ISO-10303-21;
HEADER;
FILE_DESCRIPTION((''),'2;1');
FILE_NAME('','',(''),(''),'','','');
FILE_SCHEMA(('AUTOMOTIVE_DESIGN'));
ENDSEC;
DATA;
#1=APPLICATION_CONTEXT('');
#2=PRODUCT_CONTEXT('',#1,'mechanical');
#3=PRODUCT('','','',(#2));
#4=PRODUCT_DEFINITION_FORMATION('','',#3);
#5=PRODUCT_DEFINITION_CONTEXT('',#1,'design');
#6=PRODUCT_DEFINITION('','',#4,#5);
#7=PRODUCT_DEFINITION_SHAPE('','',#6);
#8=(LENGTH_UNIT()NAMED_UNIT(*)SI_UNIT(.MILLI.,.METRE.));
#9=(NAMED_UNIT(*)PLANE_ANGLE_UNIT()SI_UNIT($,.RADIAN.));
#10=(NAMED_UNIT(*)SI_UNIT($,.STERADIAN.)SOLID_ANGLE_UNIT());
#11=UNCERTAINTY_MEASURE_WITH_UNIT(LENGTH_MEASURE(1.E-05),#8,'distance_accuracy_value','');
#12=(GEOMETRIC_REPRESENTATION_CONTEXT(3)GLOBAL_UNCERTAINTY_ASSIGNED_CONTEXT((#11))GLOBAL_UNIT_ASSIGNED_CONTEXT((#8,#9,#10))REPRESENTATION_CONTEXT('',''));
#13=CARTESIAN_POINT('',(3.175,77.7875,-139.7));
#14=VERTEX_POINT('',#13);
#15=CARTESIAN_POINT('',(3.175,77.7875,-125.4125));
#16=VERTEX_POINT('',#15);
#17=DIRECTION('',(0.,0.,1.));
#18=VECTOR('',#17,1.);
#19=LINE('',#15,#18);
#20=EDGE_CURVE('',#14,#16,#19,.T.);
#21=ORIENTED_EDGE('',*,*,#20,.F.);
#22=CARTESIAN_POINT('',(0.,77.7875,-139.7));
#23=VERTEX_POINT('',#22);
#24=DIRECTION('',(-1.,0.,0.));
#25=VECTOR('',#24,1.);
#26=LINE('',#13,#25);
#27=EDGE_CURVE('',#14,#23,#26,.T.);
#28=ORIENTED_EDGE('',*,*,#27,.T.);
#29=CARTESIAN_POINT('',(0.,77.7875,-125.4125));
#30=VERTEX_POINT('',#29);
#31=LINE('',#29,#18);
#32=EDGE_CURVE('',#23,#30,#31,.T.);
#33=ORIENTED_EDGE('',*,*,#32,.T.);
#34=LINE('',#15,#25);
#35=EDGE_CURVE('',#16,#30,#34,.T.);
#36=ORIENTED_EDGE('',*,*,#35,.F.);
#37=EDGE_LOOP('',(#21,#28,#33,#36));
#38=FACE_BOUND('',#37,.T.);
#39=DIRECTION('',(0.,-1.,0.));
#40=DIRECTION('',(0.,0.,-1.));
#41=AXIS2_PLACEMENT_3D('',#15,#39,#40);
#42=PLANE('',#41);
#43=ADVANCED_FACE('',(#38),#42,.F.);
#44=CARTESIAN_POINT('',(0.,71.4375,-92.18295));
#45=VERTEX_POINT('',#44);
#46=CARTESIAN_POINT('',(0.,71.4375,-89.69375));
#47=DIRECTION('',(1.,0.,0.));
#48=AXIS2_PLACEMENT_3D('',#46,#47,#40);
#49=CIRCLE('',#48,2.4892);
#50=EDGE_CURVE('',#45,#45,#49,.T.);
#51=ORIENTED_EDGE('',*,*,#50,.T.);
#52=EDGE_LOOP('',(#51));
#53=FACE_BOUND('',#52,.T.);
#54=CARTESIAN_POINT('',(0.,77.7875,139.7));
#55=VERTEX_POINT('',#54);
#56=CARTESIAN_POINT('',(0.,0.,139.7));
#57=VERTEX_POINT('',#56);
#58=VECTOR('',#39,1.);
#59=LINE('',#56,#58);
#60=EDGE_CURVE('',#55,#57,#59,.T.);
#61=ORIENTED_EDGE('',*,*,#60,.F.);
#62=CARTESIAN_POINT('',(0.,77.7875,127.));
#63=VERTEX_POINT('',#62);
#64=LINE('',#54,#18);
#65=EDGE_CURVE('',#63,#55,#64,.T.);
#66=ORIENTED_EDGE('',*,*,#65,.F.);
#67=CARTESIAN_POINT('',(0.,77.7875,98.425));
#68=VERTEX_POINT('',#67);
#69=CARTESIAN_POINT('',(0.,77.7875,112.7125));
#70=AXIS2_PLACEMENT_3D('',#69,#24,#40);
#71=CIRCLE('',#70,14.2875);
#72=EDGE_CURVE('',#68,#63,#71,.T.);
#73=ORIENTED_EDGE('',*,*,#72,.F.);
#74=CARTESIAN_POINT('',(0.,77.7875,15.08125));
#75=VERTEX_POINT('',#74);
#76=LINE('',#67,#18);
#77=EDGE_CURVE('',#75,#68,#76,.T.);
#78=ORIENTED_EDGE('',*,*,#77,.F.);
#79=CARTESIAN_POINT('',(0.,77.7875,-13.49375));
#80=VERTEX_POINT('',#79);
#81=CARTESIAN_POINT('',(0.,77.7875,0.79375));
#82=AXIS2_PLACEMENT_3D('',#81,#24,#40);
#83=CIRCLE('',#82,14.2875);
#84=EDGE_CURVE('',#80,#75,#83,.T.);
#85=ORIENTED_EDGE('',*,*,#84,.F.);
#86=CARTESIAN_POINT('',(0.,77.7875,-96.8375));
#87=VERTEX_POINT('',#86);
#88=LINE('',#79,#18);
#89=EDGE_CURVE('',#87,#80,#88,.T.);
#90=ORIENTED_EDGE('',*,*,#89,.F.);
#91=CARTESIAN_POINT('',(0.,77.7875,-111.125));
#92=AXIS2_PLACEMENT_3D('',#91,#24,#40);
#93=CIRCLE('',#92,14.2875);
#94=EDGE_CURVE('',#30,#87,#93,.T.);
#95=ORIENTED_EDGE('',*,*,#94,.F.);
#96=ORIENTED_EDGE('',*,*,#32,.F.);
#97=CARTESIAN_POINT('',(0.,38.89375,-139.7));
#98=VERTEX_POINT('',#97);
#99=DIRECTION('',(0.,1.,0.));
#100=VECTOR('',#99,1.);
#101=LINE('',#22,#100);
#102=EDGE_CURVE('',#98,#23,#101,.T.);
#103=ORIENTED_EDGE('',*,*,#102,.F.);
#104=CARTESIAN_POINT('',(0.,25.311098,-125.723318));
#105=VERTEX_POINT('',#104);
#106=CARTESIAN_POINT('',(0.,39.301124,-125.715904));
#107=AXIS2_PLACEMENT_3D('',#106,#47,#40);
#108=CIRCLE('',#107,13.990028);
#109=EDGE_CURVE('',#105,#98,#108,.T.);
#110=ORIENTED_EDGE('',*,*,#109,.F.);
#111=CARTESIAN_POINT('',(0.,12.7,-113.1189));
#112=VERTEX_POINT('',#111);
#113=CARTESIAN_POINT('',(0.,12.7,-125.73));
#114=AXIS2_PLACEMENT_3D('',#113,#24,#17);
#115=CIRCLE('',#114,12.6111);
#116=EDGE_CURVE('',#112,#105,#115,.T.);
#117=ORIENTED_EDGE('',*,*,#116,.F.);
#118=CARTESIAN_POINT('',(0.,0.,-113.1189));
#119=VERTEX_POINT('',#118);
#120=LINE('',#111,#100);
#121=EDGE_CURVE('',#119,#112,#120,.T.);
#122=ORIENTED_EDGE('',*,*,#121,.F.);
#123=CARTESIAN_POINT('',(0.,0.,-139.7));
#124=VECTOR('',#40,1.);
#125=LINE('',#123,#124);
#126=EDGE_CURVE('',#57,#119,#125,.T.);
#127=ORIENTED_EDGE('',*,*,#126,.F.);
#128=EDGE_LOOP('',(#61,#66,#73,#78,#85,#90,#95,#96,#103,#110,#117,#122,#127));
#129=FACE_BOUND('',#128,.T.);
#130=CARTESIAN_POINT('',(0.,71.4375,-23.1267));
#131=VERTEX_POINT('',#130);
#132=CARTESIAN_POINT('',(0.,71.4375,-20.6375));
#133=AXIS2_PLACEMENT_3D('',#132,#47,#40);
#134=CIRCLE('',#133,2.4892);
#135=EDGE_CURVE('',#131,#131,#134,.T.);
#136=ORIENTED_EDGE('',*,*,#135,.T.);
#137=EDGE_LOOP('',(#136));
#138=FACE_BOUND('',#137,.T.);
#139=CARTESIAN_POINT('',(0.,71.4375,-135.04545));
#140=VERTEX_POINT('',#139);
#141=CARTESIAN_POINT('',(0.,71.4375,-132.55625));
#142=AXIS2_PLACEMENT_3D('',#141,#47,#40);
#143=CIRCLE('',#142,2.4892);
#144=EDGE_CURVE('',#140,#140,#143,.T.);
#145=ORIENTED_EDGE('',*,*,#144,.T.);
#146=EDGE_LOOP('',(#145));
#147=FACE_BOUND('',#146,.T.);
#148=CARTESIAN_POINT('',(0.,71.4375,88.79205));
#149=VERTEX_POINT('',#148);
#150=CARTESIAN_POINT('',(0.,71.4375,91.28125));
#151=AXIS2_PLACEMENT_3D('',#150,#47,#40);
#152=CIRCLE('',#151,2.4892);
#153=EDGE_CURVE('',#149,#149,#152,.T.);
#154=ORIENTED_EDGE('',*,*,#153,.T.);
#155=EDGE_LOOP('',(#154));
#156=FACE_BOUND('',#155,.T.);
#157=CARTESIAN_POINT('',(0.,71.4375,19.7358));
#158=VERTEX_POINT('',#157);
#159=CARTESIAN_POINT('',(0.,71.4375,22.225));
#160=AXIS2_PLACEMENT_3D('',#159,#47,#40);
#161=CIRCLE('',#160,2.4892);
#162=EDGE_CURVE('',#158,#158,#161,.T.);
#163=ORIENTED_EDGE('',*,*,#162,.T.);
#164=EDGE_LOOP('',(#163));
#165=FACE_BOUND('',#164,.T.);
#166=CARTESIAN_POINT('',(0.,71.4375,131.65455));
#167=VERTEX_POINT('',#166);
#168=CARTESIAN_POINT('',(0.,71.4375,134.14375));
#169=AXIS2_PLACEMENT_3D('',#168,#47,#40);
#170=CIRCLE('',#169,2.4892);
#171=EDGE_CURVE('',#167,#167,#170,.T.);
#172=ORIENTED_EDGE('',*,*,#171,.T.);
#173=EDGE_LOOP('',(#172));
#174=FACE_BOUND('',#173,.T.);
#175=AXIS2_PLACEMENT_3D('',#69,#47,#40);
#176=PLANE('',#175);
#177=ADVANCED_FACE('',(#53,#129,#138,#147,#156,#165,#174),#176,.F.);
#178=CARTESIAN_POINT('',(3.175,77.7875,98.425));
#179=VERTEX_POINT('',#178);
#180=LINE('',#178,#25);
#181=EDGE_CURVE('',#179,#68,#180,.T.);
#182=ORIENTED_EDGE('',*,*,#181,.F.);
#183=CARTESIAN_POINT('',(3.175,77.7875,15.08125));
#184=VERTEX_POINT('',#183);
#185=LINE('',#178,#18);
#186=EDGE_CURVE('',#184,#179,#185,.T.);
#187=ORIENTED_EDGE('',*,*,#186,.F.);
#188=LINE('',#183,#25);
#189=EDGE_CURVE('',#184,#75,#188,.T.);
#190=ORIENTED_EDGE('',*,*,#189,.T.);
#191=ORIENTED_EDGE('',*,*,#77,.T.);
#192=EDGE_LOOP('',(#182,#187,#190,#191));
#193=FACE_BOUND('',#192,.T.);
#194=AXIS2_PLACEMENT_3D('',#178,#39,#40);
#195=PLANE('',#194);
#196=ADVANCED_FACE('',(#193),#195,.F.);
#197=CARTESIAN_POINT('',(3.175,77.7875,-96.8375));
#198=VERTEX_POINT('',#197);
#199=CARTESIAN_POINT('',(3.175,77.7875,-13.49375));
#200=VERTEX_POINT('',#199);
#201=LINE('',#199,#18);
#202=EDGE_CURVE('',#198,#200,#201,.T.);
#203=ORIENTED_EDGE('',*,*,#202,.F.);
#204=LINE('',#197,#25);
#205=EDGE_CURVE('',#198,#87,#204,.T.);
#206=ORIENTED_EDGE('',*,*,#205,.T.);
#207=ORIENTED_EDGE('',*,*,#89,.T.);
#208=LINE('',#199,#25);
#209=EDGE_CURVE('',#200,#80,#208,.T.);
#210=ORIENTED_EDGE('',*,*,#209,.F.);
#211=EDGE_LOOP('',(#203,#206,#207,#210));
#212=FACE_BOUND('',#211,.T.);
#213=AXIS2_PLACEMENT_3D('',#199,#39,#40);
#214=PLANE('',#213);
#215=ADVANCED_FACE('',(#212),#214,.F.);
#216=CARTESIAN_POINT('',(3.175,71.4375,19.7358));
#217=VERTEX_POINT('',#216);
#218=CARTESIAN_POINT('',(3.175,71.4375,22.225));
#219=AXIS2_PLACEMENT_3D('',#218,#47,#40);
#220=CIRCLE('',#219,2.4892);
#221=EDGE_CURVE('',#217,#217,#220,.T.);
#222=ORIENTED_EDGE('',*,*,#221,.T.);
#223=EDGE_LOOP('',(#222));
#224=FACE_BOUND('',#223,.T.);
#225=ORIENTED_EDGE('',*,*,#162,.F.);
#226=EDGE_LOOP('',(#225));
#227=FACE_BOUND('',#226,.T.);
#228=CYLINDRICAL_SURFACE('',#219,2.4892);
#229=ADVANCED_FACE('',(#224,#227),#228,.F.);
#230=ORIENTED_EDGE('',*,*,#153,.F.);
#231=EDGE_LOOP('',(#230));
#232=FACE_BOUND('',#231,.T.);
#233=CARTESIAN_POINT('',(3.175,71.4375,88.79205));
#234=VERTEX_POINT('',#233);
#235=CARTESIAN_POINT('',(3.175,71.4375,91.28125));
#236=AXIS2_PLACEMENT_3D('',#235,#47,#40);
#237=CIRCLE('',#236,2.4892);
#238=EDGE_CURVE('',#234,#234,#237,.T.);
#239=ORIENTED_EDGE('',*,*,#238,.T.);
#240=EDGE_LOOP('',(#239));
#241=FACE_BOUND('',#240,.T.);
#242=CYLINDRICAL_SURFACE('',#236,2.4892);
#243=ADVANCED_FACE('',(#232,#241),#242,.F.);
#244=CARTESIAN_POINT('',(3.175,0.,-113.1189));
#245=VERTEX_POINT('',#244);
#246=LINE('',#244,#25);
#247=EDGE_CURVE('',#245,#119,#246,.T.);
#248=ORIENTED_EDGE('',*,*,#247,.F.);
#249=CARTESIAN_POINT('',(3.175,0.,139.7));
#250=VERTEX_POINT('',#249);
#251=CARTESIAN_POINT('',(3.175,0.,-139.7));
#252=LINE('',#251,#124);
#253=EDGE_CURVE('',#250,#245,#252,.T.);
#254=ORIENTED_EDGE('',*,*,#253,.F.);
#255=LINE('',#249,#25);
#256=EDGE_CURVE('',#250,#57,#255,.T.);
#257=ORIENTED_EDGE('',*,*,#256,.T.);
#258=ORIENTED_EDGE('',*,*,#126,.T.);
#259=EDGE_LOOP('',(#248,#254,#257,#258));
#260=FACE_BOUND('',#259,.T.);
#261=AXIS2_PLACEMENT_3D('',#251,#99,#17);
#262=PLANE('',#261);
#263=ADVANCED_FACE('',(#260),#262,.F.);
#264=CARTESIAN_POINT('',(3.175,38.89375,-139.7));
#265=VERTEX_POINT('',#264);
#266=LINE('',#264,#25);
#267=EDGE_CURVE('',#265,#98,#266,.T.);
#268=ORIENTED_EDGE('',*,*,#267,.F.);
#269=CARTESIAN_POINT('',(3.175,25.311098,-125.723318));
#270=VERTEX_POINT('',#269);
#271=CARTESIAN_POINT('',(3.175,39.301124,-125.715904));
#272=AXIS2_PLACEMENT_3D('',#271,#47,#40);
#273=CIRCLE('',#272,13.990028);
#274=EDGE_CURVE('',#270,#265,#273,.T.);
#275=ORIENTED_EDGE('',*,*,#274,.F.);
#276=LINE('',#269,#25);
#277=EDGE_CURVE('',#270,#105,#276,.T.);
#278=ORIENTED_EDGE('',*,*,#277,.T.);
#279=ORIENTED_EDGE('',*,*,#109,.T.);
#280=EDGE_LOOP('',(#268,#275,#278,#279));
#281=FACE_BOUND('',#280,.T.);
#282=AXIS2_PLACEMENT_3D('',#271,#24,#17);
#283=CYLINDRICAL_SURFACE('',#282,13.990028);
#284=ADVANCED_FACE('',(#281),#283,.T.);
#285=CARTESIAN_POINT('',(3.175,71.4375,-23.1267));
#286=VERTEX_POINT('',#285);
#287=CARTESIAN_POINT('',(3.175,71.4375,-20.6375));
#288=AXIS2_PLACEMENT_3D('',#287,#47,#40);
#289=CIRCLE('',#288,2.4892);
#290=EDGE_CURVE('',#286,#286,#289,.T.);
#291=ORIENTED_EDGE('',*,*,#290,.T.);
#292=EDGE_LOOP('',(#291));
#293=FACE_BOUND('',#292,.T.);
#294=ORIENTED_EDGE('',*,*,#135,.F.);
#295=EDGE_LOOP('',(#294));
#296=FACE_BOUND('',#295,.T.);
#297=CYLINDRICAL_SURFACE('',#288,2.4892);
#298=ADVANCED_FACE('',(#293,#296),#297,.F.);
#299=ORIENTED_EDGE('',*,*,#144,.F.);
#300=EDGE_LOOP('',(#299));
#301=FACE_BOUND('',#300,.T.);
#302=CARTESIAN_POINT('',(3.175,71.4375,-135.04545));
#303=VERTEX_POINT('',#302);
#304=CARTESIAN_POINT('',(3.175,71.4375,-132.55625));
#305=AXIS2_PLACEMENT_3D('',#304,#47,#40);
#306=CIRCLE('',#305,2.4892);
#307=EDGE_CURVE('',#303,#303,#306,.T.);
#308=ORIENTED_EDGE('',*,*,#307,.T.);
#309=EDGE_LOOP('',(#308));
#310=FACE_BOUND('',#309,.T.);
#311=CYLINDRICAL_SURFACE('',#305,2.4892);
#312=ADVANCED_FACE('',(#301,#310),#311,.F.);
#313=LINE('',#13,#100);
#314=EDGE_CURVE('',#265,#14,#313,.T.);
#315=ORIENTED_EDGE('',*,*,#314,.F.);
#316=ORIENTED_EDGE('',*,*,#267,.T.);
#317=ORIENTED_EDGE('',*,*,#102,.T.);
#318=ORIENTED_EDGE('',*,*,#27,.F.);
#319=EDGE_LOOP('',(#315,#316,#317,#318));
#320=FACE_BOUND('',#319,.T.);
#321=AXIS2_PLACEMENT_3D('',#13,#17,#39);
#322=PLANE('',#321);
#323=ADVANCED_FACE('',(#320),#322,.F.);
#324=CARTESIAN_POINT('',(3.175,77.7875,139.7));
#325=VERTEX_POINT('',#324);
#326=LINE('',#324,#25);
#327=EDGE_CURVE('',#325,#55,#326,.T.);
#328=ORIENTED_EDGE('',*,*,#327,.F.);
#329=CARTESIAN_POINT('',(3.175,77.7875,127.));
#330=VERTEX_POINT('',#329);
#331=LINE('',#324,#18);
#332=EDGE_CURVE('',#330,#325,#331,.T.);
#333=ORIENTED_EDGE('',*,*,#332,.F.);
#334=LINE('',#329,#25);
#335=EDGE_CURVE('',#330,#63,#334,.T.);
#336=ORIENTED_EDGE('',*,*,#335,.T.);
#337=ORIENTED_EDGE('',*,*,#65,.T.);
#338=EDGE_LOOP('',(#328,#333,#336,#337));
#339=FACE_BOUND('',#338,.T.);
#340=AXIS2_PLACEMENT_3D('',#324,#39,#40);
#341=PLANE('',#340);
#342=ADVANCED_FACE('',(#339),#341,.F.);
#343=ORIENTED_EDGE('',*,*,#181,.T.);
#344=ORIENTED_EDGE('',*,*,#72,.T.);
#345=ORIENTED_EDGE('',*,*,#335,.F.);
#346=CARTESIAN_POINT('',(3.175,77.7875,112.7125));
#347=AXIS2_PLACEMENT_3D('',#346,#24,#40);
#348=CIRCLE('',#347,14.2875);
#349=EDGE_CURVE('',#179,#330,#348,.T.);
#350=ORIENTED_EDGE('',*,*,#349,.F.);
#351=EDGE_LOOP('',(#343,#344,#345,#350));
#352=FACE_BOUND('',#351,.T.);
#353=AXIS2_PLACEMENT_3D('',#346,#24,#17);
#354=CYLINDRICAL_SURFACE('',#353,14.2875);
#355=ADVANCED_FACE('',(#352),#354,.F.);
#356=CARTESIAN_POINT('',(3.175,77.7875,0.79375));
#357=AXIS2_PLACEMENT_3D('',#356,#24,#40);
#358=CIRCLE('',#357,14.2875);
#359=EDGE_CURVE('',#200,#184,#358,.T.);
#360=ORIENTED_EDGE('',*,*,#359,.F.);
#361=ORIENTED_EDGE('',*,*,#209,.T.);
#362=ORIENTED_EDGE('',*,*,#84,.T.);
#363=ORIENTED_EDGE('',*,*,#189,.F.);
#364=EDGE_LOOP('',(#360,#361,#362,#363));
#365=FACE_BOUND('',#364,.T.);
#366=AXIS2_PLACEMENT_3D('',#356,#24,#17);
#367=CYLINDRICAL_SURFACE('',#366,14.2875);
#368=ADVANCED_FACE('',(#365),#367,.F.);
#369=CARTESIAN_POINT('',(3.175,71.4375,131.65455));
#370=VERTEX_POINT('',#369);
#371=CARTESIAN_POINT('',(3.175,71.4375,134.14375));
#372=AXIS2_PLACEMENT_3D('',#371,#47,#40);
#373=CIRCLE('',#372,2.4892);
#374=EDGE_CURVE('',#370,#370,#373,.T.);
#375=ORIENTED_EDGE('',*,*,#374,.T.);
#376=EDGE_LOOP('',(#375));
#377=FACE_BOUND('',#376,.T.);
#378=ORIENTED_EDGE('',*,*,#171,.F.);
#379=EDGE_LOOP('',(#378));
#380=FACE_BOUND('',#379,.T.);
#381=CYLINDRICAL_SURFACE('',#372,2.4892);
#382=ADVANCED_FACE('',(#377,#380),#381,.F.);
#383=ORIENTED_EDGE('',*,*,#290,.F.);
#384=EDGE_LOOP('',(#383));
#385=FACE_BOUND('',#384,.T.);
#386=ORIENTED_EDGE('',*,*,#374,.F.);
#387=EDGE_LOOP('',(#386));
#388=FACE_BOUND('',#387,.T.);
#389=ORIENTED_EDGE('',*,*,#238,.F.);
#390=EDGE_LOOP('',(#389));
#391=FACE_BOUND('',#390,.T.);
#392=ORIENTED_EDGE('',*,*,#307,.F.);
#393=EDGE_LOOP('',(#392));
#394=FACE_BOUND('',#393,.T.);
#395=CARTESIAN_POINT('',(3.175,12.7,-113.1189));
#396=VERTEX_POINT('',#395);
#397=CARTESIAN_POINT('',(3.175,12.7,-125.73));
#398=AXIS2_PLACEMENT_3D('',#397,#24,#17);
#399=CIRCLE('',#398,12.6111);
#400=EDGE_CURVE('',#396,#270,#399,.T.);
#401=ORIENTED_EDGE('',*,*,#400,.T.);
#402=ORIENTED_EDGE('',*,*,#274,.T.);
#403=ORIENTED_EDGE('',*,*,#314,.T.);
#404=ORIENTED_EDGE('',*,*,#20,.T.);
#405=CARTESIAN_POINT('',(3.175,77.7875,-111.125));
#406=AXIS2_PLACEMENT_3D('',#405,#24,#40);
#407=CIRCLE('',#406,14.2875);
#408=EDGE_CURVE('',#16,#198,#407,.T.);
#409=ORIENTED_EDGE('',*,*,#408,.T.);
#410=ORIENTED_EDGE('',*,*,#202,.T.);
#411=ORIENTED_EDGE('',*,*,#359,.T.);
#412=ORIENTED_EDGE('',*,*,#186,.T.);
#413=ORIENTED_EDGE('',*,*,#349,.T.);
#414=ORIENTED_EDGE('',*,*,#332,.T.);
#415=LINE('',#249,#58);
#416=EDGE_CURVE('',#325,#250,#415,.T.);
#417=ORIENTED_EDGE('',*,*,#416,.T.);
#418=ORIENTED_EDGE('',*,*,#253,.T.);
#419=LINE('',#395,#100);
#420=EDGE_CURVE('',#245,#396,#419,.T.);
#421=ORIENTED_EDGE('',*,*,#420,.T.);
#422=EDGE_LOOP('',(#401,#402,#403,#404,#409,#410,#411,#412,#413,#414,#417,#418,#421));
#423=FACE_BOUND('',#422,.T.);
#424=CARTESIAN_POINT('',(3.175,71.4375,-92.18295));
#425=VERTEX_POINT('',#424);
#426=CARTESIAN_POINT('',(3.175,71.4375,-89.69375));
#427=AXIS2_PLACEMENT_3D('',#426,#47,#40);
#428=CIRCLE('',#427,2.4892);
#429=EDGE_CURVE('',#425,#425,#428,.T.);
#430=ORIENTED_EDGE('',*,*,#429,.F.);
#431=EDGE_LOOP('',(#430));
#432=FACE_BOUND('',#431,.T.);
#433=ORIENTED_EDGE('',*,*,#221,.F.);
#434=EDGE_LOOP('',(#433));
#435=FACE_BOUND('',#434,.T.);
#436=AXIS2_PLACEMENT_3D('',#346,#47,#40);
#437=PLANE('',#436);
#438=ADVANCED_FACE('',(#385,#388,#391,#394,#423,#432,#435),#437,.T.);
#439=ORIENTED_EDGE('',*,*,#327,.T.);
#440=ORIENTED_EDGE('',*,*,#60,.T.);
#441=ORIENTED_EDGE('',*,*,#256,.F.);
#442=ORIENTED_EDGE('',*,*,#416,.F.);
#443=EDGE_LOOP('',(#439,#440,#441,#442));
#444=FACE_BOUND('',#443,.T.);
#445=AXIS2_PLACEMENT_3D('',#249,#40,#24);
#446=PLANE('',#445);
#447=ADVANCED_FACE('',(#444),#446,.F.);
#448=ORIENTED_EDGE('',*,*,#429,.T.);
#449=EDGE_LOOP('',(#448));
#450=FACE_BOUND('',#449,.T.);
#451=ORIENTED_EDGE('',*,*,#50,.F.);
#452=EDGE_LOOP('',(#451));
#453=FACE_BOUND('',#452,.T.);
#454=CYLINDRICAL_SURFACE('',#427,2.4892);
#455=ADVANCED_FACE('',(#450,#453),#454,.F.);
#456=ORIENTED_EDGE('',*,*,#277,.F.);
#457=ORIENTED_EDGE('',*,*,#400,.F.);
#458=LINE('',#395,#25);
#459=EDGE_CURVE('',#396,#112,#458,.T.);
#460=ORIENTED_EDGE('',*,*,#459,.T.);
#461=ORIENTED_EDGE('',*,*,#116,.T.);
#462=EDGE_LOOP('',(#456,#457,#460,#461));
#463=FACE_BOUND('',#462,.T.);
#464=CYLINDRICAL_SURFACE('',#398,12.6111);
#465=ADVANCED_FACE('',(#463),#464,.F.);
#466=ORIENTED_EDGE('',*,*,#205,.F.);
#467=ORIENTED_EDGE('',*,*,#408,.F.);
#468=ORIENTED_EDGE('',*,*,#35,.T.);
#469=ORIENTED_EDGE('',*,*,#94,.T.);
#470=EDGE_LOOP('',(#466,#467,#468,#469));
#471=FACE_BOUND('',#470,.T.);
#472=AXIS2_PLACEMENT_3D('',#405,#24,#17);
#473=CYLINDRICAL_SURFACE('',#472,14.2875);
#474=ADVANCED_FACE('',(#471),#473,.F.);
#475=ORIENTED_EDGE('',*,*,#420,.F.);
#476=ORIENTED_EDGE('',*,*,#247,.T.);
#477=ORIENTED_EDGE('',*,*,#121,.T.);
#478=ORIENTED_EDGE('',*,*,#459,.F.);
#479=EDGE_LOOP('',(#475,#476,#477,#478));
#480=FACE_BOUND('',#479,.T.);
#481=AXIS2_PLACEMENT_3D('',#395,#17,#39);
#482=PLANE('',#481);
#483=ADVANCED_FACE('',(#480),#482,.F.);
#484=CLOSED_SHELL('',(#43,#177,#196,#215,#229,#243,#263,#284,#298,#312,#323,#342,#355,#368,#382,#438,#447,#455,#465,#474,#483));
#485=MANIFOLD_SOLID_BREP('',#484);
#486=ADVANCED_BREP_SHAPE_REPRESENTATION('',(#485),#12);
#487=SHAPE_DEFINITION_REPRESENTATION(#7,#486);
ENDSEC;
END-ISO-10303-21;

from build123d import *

# Parameters (mm, degrees)
BOSS_EXTRUDE1_DEPTH    = 3.175
F_10_CLEARANCE_HOLE1_D = 4.9784
CUT_EXTRUDE1_DEPTH     = 160.928314508


with BuildPart() as part:
    # Sketch1 → Boss-Extrude1 (new body)
    with BuildSketch(Plane(origin=(0, 0, 0), x_dir=(0, 0, -1), z_dir=(1, 0, 0))):
        with BuildLine():
            Line((139.7, 0), (-139.7, 0))
            Line((-139.7, 0), (-139.7, 77.7875))
            Line((-139.7, 77.7875), (-127, 77.7875))
            ThreePointArc((-127, 77.7875), (-112.7125, 63.5), (-98.425, 77.7875))
            Line((-98.425, 77.7875), (-15.08125, 77.7875))
            ThreePointArc((-15.08125, 77.7875), (-0.79375, 63.5), (13.49375, 77.7875))
            Line((13.49375, 77.7875), (96.8375, 77.7875))
            ThreePointArc((96.8375, 77.7875), (111.125, 63.5), (125.4125, 77.7875))
            Line((125.4125, 77.7875), (139.7, 77.7875))
            Line((139.7, 77.7875), (139.7, 0))
        make_face()
    extrude(amount=BOSS_EXTRUDE1_DEPTH)

    # #10 Clearance Hole1 (through all)
    with Locations(Plane(origin=(3.175, 0, 0), x_dir=(0, 0, -1), z_dir=(1, 0, 0))):
        with Locations((-134.14375, 71.4375), (-91.28125, 71.4375), (-22.225, 71.4375), (20.6375, 71.4375), (89.69375, 71.4375), (132.55625, 71.4375)):
            Hole(F_10_CLEARANCE_HOLE1_D / 2)

    # Sketch4 → Cut-Extrude1 (cut, through all)
    with BuildSketch(Plane.ZY):
        with BuildLine():
            Line((-113.1189, 12.7), (-113.1189, 0))
            Line((-113.1189, 0), (-139.7, 0))
            Line((-139.7, 0), (-139.7, 38.89375))
            ThreePointArc((-139.7, 38.89375), (-135.465913951, 29.268268394), (-125.723317526, 25.31109823))
            ThreePointArc((-125.723317526, 25.31109823), (-116.810243373, 21.615031404), (-113.1189, 12.7))
        make_face()
    extrude(amount=-CUT_EXTRUDE1_DEPTH, mode=Mode.SUBTRACT)


solid = part.part
